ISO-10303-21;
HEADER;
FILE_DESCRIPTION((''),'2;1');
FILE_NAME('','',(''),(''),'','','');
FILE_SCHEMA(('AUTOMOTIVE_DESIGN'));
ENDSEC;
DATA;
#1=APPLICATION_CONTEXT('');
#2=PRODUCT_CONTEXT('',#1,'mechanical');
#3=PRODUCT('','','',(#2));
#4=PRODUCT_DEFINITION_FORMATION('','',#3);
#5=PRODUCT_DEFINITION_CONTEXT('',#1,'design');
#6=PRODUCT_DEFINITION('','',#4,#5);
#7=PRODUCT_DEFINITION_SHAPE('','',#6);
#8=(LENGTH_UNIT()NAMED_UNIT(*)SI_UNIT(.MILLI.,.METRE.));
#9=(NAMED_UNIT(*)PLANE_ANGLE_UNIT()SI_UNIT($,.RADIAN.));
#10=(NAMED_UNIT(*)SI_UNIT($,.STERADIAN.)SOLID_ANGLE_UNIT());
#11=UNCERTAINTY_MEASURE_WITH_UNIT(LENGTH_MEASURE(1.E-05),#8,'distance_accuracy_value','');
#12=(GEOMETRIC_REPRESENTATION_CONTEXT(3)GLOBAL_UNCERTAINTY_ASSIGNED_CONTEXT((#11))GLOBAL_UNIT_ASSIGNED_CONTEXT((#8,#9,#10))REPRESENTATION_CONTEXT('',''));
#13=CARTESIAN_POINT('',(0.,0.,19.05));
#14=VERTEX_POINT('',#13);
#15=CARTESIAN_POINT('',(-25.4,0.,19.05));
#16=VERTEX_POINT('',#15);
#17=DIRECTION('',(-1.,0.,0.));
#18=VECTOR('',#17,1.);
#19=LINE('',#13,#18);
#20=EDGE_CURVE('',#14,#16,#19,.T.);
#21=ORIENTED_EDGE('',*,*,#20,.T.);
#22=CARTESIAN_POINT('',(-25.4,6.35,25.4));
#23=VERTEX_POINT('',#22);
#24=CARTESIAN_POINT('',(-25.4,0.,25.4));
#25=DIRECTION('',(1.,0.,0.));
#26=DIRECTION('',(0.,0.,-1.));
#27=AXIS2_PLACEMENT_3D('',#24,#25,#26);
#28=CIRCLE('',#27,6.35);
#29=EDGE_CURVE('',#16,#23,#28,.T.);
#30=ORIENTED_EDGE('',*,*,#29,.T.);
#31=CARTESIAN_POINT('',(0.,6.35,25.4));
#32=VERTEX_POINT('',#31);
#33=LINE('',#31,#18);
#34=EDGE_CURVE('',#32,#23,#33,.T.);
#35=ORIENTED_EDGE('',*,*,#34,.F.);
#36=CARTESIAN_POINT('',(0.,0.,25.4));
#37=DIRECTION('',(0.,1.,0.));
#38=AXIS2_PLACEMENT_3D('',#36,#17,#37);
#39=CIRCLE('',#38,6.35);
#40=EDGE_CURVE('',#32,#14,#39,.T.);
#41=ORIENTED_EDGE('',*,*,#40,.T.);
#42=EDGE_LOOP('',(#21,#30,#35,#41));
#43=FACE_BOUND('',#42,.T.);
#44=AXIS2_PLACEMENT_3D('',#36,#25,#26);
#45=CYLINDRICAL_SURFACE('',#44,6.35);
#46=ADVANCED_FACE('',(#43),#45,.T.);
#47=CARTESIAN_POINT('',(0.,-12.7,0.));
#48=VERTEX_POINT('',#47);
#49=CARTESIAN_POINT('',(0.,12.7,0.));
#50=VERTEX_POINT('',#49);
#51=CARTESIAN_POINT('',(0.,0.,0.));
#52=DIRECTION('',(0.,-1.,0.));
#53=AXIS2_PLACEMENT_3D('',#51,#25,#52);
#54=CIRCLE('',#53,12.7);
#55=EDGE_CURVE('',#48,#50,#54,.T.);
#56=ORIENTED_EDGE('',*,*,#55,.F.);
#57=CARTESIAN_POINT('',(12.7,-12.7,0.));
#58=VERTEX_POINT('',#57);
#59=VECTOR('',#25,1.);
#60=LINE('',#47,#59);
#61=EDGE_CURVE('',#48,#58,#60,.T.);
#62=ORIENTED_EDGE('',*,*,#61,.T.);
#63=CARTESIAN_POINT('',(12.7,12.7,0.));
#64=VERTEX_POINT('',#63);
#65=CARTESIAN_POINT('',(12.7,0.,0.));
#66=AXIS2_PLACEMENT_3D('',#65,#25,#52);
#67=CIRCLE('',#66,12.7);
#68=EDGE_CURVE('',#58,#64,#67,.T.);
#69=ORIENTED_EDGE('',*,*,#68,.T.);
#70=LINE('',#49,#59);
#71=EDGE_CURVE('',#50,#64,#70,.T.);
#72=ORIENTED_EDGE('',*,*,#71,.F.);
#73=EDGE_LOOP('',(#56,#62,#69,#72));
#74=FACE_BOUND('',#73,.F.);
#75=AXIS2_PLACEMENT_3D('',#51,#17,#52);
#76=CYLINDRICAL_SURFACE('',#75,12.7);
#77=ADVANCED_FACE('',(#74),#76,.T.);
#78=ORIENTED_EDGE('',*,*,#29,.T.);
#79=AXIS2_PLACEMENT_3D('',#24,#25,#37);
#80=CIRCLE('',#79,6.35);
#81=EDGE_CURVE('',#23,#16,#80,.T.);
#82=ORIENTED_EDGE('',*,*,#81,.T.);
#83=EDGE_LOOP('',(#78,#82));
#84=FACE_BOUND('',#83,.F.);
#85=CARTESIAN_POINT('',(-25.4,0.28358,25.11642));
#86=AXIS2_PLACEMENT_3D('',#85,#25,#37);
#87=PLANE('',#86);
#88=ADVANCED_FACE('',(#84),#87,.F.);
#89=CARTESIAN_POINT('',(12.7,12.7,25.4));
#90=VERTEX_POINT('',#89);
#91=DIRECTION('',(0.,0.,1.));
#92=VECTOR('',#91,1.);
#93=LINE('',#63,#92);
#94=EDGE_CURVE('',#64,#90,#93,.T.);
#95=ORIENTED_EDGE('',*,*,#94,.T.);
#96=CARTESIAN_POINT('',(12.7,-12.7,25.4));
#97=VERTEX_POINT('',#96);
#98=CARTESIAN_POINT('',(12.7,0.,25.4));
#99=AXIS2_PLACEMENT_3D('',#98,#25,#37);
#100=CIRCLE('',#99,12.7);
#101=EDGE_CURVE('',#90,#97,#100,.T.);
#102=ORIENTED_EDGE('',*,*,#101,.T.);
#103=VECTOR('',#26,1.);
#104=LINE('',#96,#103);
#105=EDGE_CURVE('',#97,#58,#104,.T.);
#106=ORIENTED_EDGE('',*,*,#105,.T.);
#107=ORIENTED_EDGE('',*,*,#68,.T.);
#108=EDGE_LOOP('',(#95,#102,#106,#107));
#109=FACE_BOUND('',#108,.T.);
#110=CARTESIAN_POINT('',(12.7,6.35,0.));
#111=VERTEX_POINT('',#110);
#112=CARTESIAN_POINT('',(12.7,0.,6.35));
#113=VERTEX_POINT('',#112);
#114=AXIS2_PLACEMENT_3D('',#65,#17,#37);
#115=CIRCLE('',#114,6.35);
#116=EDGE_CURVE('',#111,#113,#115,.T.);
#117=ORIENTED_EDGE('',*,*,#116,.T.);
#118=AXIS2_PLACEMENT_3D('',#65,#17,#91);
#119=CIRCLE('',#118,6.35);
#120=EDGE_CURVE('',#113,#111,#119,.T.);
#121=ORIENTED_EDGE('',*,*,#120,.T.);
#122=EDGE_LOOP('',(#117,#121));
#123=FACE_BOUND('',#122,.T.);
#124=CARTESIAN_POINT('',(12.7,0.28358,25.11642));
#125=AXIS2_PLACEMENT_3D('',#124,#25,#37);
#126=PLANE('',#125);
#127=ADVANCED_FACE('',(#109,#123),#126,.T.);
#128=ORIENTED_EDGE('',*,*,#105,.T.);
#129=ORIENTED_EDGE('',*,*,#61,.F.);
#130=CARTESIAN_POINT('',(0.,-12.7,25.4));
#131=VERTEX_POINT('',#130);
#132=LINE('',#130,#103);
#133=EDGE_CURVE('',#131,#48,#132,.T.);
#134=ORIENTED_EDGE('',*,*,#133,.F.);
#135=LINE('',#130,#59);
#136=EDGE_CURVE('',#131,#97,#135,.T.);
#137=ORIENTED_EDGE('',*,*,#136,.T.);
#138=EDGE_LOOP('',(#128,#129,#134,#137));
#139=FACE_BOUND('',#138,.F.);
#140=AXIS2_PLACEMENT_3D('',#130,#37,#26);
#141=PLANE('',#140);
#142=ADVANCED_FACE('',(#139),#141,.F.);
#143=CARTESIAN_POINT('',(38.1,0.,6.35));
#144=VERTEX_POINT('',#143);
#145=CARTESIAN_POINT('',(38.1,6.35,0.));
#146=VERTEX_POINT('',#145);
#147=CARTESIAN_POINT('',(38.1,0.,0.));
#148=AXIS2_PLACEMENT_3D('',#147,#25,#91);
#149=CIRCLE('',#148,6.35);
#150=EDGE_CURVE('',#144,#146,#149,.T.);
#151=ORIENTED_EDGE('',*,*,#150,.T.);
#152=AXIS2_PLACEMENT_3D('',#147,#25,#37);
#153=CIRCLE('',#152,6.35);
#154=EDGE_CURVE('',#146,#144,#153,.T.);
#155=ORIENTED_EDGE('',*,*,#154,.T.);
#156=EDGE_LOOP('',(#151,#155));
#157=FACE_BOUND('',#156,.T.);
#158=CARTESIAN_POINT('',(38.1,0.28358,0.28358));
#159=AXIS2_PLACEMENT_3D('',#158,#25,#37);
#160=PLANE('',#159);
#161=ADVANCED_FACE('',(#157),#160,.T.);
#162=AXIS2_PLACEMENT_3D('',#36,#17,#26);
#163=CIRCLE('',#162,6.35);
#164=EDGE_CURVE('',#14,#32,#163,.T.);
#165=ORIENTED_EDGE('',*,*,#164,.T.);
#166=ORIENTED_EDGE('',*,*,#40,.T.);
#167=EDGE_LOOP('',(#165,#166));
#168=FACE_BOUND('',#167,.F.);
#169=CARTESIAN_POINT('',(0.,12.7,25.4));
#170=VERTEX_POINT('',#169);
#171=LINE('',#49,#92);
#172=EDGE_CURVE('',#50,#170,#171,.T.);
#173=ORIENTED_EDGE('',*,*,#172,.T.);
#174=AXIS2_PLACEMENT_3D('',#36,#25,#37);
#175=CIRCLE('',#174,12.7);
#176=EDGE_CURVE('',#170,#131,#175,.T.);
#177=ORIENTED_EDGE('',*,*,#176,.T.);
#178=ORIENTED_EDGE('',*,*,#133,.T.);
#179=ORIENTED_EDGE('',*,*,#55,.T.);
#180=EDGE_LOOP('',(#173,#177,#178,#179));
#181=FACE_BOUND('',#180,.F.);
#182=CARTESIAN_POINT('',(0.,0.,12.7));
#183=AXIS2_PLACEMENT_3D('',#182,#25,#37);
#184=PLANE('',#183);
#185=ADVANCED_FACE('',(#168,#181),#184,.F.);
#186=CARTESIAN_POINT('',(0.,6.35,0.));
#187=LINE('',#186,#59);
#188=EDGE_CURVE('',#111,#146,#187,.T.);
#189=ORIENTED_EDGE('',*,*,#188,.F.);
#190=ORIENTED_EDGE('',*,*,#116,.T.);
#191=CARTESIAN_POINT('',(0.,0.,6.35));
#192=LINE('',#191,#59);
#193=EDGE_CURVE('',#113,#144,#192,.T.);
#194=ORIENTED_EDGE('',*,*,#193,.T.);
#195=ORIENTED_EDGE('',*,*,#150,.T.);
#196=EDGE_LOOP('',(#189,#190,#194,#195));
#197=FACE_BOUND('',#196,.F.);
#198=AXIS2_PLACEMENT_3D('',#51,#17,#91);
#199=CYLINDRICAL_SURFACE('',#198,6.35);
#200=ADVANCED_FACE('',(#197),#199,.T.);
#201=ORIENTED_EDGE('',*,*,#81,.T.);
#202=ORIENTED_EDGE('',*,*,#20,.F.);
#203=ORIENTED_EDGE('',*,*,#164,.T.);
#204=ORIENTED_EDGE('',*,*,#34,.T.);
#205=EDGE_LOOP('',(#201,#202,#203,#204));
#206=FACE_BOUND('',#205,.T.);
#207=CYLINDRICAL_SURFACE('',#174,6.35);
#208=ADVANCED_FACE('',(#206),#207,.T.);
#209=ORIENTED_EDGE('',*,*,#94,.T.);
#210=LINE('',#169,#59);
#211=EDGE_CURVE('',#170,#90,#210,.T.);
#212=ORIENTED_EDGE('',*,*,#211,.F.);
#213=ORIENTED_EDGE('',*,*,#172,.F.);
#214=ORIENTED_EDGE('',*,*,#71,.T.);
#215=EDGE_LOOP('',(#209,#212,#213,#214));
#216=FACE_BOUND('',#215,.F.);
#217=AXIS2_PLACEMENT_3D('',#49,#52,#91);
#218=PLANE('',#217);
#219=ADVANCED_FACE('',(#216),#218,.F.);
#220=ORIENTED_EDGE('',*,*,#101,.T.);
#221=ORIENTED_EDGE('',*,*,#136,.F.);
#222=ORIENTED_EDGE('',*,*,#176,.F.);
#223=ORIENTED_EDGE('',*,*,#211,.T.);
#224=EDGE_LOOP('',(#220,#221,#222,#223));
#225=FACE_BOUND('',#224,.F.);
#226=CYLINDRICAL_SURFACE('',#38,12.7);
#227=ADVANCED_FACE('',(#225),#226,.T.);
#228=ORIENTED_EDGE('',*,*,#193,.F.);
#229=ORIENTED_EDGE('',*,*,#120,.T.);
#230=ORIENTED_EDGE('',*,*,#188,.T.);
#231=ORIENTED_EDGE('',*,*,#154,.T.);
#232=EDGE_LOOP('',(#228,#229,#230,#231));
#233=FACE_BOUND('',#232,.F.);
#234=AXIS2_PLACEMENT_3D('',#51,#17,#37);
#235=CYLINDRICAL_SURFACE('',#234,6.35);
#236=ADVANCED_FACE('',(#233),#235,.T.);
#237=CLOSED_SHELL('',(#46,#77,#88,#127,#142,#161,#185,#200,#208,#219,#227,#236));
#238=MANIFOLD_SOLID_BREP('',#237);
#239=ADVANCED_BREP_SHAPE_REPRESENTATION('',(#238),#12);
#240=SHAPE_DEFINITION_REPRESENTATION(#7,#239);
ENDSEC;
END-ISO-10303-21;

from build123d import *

# Parameters (mm, degrees)
F1_DEPTH      = 12.7
F2_DEPTH      = 38.1
F3_DEPTH      = 25.4
F3_DEPTH_BACK = 12.7


with BuildPart() as f1:
    # F0 (on Right) → F1 (new body)
    with BuildSketch(Plane.YZ):
        with BuildLine():
            ThreePointArc((12.7, 25.4), (0, 38.1), (-12.7, 25.4))
            Line((-12.7, 25.4), (-12.7, 0))
            ThreePointArc((-12.7, 0), (0, -12.7), (12.7, 0))
            Line((12.7, 0), (12.7, 25.4))
        make_face()
        with BuildLine():
            ThreePointArc((0, 6.35), (4.4901280605, 4.4901280605), (6.35, 0))
            ThreePointArc((6.35, 0), (-4.4901280605, -4.4901280605), (0, 6.35))
        make_face(mode=Mode.SUBTRACT)
        with BuildLine():
            ThreePointArc((6.35, 25.4), (4.4901280605, 20.9098719395), (0, 19.05))
            ThreePointArc((0, 19.05), (-4.4901280605, 29.8901280605), (6.35, 25.4))
        make_face(mode=Mode.SUBTRACT)
    extrude(amount=F1_DEPTH)

    # F0 (on Right) → F2 (join)
    with BuildSketch(Plane.YZ):
        with BuildLine():
            ThreePointArc((0, 6.35), (-4.4901280605, -4.4901280605), (6.35, 0))
            ThreePointArc((6.35, 0), (4.4901280605, 4.4901280605), (0, 6.35))
        make_face()
    extrude(amount=F2_DEPTH)

    # F0 (on Right) → F3 (join, two sides)
    with BuildSketch(Plane.YZ) as f3_sk:
        with BuildLine():
            ThreePointArc((6.35, 25.4), (-4.4901280605, 29.8901280605), (0, 19.05))
            ThreePointArc((0, 19.05), (4.4901280605, 20.9098719395), (6.35, 25.4))
        make_face()
    extrude(amount=-F3_DEPTH)
    extrude(f3_sk.sketch, amount=F3_DEPTH_BACK)


solid = f1.part
